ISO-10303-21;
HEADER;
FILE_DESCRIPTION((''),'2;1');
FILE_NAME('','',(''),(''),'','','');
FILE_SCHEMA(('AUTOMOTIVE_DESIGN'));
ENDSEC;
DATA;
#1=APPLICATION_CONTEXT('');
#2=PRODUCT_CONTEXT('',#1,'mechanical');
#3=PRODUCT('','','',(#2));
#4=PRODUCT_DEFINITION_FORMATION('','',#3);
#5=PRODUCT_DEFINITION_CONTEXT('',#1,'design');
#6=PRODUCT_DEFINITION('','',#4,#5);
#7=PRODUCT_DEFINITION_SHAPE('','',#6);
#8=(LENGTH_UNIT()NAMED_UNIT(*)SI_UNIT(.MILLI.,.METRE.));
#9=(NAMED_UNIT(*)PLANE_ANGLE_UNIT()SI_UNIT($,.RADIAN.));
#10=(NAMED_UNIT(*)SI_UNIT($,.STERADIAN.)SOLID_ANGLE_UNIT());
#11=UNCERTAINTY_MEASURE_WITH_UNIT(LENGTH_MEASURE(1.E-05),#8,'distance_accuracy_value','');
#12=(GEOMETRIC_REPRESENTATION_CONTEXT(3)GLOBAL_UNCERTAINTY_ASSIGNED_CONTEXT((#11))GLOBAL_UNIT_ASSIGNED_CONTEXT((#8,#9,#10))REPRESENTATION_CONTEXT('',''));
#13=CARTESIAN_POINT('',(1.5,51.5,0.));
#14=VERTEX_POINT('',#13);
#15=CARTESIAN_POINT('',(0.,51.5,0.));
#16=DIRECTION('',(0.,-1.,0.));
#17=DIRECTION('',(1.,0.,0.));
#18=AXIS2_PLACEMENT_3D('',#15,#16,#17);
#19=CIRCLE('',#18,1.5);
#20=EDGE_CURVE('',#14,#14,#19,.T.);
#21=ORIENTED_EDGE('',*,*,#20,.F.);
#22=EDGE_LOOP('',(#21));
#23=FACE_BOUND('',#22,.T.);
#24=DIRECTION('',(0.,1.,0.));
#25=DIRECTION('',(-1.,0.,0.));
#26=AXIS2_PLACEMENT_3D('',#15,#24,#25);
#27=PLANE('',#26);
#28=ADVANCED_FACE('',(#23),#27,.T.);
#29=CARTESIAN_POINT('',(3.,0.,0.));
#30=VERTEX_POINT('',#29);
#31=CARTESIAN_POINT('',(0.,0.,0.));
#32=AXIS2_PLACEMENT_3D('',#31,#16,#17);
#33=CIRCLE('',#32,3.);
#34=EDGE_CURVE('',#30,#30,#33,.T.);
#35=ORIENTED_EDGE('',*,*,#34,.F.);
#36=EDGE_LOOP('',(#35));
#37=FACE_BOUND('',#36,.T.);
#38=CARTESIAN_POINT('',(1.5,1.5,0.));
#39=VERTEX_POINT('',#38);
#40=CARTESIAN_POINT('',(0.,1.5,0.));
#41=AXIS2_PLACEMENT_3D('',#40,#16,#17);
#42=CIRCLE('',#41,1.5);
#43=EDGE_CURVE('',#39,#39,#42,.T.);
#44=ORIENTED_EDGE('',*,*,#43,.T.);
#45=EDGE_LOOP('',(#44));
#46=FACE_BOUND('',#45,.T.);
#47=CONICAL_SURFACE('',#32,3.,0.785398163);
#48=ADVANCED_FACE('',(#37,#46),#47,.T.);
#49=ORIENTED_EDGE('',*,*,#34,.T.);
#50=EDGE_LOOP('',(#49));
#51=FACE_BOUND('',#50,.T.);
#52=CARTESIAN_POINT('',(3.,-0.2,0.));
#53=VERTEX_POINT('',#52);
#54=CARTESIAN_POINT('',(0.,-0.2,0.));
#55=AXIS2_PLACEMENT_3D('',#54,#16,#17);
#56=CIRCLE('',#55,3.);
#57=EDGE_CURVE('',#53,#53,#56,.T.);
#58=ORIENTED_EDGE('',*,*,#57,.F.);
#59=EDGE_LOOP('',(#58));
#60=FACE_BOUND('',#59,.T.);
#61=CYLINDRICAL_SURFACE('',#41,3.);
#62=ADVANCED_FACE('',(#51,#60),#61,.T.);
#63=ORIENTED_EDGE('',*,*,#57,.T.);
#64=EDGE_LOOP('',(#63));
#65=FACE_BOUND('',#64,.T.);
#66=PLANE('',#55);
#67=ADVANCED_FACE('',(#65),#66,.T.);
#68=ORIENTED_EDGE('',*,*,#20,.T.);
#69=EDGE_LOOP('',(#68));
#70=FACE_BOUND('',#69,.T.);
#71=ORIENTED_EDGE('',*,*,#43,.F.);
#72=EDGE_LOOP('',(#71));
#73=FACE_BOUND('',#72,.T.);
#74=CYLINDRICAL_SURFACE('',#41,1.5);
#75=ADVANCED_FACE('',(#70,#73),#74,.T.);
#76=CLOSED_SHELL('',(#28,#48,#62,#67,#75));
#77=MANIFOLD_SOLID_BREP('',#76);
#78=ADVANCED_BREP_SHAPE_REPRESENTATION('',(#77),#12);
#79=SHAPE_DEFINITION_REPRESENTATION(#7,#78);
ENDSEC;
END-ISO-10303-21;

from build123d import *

# Parameters (mm, degrees)
SKETCH2_W = 1.5
SKETCH2_H = 50


with BuildPart() as part:
    # Sketch2 → Revolve1 (revolve)
    with BuildSketch(Plane.XY):
        with Locations((0.75, 26.5)):
            Rectangle(SKETCH2_W, SKETCH2_H)
        Polygon((3, -0.2), (3, 0), (1.5, 1.5), (0, 1.5), (0, -0.2), align=None)
    revolve(axis=Axis((0, 1.5, 0), (0, 1, 0)))


solid = part.part
